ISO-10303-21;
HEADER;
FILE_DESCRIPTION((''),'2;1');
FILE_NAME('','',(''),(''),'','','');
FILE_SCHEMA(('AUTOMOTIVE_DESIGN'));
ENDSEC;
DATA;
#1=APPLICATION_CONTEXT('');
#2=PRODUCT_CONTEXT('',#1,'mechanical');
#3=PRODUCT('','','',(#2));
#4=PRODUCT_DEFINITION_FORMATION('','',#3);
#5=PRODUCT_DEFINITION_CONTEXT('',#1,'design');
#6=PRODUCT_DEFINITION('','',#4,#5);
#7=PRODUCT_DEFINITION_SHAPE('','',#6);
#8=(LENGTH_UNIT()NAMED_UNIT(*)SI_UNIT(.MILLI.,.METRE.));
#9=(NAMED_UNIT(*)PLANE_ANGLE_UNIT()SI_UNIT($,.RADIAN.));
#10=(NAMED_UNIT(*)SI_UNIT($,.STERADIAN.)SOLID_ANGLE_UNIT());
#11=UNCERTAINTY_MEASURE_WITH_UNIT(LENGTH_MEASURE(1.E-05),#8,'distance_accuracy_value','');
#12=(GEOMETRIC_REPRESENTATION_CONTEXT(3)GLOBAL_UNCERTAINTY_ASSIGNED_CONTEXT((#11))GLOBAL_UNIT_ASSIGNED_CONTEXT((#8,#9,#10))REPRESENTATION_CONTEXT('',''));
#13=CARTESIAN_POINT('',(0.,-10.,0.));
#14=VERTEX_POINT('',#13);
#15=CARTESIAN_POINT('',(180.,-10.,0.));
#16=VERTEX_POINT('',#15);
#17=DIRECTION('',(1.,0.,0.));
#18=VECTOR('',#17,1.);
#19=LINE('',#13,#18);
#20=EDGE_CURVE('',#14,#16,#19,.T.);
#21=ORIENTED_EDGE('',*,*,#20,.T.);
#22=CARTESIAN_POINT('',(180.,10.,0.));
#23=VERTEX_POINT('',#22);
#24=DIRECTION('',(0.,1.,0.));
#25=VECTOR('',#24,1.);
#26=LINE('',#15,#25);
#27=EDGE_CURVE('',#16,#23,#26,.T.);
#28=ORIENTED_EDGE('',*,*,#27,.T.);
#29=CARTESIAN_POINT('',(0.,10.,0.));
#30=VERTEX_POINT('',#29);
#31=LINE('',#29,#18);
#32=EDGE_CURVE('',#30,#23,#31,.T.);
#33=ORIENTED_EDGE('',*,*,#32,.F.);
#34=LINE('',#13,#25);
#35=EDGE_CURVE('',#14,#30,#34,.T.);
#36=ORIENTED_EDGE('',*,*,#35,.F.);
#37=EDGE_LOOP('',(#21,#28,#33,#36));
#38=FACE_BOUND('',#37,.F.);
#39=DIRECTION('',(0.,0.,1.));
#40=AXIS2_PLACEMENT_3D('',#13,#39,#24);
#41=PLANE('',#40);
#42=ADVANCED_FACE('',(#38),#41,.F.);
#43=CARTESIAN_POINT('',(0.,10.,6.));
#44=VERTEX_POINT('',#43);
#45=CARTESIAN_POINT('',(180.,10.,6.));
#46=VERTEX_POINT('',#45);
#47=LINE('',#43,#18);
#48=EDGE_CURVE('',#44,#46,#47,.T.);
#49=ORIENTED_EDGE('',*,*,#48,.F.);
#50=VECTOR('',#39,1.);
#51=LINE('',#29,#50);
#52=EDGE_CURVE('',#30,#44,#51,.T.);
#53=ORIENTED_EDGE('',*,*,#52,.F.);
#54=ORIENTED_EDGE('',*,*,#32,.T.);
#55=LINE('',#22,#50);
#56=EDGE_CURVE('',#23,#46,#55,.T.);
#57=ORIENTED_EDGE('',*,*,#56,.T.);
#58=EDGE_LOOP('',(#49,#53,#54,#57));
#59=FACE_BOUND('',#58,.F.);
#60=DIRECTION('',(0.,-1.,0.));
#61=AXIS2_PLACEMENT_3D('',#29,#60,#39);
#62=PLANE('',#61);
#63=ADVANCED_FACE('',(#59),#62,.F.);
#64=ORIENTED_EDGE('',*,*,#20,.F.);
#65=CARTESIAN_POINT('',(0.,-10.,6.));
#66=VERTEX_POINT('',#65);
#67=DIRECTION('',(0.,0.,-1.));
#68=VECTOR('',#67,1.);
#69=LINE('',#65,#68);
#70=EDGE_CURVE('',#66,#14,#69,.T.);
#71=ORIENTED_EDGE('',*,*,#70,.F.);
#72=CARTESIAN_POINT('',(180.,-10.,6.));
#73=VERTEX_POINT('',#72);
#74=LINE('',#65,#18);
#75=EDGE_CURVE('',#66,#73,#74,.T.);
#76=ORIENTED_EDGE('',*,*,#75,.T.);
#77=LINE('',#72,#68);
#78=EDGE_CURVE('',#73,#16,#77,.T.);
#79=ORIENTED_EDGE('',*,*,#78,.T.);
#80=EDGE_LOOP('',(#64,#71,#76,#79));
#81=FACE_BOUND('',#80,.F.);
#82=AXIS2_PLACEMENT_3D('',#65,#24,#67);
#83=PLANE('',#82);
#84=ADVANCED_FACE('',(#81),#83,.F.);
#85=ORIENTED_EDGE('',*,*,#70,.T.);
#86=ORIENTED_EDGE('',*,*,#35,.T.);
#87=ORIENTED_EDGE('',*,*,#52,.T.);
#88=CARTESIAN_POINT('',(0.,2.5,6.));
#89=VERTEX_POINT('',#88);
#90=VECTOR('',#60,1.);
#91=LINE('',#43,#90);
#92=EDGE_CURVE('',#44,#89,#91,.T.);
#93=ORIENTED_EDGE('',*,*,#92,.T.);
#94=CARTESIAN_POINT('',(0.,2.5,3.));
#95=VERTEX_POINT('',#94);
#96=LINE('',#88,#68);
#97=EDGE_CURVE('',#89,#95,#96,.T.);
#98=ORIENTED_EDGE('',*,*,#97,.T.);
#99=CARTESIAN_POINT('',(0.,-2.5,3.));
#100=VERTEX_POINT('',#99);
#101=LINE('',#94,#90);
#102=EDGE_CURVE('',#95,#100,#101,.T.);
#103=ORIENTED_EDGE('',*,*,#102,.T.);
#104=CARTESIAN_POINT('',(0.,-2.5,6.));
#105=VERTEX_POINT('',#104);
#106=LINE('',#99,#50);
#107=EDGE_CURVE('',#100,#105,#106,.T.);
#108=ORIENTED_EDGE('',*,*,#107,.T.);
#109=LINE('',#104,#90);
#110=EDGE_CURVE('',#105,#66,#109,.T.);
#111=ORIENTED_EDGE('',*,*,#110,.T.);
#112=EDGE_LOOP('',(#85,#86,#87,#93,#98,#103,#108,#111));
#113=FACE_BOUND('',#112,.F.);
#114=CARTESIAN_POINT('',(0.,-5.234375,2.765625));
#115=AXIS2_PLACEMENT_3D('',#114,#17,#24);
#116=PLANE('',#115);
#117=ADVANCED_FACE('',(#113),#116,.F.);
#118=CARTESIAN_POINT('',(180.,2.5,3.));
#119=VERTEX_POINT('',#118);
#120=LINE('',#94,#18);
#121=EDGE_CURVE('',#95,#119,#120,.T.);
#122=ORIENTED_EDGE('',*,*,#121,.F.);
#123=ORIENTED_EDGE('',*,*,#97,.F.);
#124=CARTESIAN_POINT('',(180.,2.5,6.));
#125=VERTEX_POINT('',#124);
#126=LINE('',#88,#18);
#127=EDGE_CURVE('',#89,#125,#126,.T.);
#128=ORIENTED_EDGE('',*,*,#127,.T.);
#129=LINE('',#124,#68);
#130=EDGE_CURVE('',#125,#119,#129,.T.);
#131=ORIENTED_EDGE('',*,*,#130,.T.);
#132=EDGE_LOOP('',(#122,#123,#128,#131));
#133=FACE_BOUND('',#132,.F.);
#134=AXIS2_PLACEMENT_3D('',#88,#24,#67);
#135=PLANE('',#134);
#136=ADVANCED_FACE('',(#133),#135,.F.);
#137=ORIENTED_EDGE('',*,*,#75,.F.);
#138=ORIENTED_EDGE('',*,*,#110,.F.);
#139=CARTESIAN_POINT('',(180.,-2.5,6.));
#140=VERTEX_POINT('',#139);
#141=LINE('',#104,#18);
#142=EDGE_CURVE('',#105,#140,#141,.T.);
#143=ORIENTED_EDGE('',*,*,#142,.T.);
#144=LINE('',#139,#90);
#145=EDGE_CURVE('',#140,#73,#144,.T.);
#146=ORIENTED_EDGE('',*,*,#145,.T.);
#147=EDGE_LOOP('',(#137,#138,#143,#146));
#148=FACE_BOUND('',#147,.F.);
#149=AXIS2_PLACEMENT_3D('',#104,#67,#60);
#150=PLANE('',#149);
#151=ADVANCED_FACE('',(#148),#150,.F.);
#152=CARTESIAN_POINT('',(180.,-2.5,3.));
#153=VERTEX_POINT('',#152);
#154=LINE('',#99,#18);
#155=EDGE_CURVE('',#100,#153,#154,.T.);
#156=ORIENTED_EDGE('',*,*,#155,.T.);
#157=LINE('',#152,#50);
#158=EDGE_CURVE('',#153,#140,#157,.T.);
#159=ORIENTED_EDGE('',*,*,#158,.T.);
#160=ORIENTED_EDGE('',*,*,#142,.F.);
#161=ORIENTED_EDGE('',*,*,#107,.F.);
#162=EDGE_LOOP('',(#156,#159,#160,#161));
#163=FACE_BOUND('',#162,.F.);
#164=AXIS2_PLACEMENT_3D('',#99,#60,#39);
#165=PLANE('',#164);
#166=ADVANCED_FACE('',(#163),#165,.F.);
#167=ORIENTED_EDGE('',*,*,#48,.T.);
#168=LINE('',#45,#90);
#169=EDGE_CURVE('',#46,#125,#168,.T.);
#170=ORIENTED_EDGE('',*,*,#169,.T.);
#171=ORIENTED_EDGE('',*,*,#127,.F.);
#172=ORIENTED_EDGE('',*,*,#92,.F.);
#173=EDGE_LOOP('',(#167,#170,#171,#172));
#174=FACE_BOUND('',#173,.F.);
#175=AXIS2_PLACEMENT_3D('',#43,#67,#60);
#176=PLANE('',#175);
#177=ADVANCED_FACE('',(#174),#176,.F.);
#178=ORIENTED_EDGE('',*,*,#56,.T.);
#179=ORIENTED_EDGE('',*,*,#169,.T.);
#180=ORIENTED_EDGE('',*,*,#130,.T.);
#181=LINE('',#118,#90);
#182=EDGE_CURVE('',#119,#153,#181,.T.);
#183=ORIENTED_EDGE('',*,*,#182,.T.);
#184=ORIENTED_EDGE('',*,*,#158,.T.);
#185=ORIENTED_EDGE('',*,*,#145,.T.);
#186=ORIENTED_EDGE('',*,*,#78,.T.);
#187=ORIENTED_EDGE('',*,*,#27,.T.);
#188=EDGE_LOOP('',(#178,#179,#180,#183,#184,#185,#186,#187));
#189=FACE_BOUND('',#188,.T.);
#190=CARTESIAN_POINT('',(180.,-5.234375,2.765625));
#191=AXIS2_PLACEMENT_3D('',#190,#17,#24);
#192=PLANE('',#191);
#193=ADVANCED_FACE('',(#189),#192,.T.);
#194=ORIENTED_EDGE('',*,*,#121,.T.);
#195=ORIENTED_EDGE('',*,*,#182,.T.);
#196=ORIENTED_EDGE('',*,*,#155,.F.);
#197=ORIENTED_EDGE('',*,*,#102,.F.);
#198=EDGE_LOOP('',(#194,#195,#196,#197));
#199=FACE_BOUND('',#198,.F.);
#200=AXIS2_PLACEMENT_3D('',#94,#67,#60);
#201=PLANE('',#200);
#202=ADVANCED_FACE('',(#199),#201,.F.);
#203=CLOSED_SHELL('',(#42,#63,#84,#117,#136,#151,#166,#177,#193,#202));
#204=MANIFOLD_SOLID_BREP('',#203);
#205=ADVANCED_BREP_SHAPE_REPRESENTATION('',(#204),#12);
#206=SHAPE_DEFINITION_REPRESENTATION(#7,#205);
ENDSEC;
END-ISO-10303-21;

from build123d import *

# Parameters (mm, degrees)
F1_DEPTH = 180


with BuildPart() as f1:
    # F0 (on Right) → F1 (new body)
    with BuildSketch(Plane.YZ):
        Polygon((-10, 0), (0, 0), (0, 3), (-2.5, 3), (-2.5, 6), (-10, 6), align=None)
        Polygon((0, 3), (0, 0), (10, 0), (10, 6), (2.5, 6), (2.5, 3), align=None)
    extrude(amount=F1_DEPTH)


solid = f1.part
